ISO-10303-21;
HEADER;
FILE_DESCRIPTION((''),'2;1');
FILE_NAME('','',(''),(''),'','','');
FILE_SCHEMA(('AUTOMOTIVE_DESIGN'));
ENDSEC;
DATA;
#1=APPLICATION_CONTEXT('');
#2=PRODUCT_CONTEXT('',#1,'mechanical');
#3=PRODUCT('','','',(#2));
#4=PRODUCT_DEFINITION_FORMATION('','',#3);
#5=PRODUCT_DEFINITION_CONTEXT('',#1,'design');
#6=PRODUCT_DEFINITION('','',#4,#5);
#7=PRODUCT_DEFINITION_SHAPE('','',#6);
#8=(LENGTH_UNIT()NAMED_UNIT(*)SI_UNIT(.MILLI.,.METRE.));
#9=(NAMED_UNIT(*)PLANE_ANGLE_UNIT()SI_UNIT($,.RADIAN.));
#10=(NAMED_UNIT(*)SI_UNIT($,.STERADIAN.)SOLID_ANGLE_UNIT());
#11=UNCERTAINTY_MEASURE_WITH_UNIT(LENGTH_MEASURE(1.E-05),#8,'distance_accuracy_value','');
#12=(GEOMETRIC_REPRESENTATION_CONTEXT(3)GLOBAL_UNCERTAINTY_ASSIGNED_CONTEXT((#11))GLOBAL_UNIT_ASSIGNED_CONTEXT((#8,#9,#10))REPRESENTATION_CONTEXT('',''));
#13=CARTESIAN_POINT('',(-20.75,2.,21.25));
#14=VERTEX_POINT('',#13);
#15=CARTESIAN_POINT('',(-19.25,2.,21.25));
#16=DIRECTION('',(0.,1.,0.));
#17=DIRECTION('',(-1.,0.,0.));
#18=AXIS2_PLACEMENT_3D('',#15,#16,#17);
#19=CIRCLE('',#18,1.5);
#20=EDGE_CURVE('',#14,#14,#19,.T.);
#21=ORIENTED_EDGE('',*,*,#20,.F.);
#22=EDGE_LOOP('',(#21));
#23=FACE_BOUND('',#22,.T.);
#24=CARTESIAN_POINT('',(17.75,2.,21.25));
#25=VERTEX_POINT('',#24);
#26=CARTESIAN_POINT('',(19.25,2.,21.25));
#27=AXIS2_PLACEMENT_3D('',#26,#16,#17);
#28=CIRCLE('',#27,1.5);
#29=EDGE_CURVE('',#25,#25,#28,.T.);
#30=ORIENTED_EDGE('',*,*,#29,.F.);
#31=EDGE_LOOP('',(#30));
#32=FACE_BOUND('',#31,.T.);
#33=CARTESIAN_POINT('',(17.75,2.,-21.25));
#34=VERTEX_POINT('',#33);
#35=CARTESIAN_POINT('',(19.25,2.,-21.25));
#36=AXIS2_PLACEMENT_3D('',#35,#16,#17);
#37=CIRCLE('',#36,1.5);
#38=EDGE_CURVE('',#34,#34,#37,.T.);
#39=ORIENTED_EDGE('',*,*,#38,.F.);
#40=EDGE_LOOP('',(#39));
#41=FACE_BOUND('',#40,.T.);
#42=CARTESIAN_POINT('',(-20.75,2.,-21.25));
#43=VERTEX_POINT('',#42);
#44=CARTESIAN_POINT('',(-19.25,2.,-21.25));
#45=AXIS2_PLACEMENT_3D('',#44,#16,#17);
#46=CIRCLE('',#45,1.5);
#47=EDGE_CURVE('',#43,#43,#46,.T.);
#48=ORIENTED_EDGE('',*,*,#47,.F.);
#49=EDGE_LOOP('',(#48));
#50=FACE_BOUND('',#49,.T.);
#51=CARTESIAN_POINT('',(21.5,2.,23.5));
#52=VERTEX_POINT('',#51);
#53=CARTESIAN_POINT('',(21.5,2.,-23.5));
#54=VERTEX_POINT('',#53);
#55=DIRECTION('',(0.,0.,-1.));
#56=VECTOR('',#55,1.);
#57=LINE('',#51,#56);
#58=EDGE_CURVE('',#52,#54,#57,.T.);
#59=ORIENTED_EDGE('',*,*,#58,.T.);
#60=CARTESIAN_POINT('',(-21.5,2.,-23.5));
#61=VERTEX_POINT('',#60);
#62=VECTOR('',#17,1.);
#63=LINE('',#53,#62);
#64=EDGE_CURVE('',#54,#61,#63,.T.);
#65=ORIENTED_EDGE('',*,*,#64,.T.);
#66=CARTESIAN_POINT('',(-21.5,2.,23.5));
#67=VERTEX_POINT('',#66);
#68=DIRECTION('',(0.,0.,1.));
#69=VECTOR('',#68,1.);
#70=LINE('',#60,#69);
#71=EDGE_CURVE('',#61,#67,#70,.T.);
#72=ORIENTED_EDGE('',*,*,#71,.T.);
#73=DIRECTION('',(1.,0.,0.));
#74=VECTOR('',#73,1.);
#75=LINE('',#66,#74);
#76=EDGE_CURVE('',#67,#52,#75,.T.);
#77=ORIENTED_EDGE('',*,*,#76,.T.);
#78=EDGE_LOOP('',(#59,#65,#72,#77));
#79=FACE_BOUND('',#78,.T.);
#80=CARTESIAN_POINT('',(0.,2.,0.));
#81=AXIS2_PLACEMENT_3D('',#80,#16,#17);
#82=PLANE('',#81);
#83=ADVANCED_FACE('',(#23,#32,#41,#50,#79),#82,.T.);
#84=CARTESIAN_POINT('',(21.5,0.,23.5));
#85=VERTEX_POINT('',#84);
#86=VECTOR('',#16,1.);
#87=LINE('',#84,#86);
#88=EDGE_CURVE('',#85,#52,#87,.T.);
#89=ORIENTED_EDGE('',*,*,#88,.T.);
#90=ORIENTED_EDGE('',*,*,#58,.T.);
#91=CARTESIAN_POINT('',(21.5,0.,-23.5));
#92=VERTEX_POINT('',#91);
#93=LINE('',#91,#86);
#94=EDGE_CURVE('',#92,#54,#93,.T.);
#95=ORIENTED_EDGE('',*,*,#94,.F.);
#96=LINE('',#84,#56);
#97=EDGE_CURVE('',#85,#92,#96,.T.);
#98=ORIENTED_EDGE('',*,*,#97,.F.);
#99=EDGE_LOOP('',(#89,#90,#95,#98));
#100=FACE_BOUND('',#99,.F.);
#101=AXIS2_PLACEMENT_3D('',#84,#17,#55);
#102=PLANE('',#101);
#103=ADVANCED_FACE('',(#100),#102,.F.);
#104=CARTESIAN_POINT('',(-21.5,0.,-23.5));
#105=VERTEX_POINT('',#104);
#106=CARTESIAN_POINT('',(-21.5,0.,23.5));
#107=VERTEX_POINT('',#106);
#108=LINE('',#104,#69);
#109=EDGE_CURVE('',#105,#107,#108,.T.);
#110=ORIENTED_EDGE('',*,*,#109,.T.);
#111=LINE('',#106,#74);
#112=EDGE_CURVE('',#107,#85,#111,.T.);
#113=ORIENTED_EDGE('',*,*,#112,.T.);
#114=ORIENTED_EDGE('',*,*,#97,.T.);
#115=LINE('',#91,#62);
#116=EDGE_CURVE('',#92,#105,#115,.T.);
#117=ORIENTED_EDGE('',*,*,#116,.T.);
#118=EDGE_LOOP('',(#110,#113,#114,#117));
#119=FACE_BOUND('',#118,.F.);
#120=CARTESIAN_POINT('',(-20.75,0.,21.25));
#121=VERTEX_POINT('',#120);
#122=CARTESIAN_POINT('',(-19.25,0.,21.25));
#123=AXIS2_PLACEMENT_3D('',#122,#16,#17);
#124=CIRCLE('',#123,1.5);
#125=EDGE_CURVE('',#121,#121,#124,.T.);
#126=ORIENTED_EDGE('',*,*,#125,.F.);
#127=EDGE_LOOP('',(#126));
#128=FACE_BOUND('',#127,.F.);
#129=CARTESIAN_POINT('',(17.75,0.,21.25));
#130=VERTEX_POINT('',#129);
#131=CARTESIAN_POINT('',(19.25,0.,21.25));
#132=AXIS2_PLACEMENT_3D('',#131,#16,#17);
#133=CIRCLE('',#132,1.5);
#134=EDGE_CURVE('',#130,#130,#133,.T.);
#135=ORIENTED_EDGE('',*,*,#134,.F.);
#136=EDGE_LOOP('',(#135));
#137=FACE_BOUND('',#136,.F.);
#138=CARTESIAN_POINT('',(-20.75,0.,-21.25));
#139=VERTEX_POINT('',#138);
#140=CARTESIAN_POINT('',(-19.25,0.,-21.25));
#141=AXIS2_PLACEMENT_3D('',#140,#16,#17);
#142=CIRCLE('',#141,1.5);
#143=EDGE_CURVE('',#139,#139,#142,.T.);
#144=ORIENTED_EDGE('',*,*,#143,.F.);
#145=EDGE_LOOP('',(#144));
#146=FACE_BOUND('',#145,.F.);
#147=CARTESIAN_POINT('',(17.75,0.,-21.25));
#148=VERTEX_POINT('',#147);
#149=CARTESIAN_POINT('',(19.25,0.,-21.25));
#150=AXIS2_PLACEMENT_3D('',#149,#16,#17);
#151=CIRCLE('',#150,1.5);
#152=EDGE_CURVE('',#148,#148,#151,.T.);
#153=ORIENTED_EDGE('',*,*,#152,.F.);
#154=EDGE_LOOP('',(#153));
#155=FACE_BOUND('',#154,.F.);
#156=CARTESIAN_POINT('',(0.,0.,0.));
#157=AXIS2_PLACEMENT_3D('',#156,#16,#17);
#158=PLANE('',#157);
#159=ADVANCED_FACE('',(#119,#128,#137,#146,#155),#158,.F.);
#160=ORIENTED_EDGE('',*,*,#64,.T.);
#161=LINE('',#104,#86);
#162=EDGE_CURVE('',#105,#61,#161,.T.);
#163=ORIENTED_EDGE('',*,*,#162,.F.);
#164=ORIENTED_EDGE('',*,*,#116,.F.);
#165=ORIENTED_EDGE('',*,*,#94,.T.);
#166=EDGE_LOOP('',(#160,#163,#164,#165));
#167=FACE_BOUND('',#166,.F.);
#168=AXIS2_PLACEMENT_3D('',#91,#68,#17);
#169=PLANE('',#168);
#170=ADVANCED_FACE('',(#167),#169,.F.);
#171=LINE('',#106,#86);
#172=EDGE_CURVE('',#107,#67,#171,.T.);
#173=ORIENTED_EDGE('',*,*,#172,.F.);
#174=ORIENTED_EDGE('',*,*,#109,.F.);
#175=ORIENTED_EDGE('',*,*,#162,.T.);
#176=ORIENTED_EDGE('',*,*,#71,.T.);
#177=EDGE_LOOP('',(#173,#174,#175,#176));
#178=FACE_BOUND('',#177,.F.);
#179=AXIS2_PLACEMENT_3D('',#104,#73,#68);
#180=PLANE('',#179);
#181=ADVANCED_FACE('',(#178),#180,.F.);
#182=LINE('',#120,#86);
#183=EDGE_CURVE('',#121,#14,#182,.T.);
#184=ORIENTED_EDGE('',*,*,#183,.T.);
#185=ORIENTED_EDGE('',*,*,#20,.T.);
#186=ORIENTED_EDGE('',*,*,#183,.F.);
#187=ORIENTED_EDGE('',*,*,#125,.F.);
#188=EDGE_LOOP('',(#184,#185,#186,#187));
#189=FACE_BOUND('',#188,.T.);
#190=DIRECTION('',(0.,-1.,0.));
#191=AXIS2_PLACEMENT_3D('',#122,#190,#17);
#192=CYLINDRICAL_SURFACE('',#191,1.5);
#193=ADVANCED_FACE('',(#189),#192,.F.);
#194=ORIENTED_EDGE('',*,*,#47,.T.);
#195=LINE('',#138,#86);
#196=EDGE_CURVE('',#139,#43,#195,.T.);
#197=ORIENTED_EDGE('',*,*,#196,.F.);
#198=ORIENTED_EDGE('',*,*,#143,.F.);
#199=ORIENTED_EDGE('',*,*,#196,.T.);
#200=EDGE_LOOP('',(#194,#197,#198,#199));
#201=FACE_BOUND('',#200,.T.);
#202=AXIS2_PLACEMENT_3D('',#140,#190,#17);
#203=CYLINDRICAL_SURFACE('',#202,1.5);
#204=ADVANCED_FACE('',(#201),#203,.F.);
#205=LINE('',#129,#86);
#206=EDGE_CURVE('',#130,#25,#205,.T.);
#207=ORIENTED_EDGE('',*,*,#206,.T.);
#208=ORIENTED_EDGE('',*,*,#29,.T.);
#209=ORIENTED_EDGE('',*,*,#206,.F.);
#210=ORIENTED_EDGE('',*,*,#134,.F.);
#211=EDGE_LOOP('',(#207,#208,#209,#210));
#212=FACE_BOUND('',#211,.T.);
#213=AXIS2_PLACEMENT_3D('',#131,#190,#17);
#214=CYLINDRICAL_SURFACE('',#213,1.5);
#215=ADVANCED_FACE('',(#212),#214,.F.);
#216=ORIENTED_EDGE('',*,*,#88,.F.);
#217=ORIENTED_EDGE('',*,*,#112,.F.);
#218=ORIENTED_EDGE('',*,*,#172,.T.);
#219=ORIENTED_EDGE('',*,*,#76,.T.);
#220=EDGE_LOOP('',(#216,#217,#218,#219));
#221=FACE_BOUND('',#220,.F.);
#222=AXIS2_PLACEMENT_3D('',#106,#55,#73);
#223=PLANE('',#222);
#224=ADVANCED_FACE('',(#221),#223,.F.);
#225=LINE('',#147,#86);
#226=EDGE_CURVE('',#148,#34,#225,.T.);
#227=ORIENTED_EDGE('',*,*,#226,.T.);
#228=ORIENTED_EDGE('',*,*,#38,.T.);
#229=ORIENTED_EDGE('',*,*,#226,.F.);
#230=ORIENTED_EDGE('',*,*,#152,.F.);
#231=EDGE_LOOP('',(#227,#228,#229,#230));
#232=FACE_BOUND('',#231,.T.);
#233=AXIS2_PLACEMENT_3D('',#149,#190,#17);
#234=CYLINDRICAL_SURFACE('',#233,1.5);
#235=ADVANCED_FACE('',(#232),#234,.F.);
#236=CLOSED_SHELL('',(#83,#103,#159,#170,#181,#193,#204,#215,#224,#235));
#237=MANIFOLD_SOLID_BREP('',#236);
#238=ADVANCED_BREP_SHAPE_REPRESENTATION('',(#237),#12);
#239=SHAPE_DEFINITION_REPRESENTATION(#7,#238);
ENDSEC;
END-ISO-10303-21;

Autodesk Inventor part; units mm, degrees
ref_plane "YZ Plane" through (0, 0, 0) normal (1, 0, 0) x (0, 1, 0)
ref_plane "XZ Plane" through (0, 0, 0) normal (0, 1, 0) x (-1, 0, 0)
ref_plane "XY Plane" through (0, 0, 0) normal (0, 0, 1) x (1, 0, 0)
sketch "Boceto1" plane through (0, 0, 0) normal (0, 1, 0) x (-1, 0, 0)
  line L0 (21.5, 23.5) -> (-21.5, 23.5)
  line L1 (-21.5, 23.5) -> (-21.5, -23.5)
  line L2 (-21.5, -23.5) -> (21.5, -23.5)
  line L3 (21.5, -23.5) -> (21.5, 23.5)
  line L4 (19.25, 21.25) -> (-19.25, 21.25) construction
  line L5 (-19.25, 21.25) -> (-19.25, -21.25) construction
  line L6 (-19.25, -21.25) -> (19.25, -21.25) construction
  line L7 (19.25, -21.25) -> (19.25, 21.25) construction
  circle A0 centre (19.25, 21.25) radius 1.5
  circle A1 centre (19.25, -21.25) radius 1.5
  circle A2 centre (-19.25, -21.25) radius 1.5
  circle A3 centre (-19.25, 21.25) radius 1.5
  point P0 (0, 0)
  point P1 (21.5, 0)
  point P2 (0, 23.5)
  dimension "d0" = 3
  dimension "d1" = 2.25
  dimension "d2" = 47
  dimension "d3" = 43
  dimension "d6" = 42.5
  dimension "d7" = 38.5
extrude "Extrusión1" add sketch "Boceto1" along normal blind 2
properties part number "dimmer"
